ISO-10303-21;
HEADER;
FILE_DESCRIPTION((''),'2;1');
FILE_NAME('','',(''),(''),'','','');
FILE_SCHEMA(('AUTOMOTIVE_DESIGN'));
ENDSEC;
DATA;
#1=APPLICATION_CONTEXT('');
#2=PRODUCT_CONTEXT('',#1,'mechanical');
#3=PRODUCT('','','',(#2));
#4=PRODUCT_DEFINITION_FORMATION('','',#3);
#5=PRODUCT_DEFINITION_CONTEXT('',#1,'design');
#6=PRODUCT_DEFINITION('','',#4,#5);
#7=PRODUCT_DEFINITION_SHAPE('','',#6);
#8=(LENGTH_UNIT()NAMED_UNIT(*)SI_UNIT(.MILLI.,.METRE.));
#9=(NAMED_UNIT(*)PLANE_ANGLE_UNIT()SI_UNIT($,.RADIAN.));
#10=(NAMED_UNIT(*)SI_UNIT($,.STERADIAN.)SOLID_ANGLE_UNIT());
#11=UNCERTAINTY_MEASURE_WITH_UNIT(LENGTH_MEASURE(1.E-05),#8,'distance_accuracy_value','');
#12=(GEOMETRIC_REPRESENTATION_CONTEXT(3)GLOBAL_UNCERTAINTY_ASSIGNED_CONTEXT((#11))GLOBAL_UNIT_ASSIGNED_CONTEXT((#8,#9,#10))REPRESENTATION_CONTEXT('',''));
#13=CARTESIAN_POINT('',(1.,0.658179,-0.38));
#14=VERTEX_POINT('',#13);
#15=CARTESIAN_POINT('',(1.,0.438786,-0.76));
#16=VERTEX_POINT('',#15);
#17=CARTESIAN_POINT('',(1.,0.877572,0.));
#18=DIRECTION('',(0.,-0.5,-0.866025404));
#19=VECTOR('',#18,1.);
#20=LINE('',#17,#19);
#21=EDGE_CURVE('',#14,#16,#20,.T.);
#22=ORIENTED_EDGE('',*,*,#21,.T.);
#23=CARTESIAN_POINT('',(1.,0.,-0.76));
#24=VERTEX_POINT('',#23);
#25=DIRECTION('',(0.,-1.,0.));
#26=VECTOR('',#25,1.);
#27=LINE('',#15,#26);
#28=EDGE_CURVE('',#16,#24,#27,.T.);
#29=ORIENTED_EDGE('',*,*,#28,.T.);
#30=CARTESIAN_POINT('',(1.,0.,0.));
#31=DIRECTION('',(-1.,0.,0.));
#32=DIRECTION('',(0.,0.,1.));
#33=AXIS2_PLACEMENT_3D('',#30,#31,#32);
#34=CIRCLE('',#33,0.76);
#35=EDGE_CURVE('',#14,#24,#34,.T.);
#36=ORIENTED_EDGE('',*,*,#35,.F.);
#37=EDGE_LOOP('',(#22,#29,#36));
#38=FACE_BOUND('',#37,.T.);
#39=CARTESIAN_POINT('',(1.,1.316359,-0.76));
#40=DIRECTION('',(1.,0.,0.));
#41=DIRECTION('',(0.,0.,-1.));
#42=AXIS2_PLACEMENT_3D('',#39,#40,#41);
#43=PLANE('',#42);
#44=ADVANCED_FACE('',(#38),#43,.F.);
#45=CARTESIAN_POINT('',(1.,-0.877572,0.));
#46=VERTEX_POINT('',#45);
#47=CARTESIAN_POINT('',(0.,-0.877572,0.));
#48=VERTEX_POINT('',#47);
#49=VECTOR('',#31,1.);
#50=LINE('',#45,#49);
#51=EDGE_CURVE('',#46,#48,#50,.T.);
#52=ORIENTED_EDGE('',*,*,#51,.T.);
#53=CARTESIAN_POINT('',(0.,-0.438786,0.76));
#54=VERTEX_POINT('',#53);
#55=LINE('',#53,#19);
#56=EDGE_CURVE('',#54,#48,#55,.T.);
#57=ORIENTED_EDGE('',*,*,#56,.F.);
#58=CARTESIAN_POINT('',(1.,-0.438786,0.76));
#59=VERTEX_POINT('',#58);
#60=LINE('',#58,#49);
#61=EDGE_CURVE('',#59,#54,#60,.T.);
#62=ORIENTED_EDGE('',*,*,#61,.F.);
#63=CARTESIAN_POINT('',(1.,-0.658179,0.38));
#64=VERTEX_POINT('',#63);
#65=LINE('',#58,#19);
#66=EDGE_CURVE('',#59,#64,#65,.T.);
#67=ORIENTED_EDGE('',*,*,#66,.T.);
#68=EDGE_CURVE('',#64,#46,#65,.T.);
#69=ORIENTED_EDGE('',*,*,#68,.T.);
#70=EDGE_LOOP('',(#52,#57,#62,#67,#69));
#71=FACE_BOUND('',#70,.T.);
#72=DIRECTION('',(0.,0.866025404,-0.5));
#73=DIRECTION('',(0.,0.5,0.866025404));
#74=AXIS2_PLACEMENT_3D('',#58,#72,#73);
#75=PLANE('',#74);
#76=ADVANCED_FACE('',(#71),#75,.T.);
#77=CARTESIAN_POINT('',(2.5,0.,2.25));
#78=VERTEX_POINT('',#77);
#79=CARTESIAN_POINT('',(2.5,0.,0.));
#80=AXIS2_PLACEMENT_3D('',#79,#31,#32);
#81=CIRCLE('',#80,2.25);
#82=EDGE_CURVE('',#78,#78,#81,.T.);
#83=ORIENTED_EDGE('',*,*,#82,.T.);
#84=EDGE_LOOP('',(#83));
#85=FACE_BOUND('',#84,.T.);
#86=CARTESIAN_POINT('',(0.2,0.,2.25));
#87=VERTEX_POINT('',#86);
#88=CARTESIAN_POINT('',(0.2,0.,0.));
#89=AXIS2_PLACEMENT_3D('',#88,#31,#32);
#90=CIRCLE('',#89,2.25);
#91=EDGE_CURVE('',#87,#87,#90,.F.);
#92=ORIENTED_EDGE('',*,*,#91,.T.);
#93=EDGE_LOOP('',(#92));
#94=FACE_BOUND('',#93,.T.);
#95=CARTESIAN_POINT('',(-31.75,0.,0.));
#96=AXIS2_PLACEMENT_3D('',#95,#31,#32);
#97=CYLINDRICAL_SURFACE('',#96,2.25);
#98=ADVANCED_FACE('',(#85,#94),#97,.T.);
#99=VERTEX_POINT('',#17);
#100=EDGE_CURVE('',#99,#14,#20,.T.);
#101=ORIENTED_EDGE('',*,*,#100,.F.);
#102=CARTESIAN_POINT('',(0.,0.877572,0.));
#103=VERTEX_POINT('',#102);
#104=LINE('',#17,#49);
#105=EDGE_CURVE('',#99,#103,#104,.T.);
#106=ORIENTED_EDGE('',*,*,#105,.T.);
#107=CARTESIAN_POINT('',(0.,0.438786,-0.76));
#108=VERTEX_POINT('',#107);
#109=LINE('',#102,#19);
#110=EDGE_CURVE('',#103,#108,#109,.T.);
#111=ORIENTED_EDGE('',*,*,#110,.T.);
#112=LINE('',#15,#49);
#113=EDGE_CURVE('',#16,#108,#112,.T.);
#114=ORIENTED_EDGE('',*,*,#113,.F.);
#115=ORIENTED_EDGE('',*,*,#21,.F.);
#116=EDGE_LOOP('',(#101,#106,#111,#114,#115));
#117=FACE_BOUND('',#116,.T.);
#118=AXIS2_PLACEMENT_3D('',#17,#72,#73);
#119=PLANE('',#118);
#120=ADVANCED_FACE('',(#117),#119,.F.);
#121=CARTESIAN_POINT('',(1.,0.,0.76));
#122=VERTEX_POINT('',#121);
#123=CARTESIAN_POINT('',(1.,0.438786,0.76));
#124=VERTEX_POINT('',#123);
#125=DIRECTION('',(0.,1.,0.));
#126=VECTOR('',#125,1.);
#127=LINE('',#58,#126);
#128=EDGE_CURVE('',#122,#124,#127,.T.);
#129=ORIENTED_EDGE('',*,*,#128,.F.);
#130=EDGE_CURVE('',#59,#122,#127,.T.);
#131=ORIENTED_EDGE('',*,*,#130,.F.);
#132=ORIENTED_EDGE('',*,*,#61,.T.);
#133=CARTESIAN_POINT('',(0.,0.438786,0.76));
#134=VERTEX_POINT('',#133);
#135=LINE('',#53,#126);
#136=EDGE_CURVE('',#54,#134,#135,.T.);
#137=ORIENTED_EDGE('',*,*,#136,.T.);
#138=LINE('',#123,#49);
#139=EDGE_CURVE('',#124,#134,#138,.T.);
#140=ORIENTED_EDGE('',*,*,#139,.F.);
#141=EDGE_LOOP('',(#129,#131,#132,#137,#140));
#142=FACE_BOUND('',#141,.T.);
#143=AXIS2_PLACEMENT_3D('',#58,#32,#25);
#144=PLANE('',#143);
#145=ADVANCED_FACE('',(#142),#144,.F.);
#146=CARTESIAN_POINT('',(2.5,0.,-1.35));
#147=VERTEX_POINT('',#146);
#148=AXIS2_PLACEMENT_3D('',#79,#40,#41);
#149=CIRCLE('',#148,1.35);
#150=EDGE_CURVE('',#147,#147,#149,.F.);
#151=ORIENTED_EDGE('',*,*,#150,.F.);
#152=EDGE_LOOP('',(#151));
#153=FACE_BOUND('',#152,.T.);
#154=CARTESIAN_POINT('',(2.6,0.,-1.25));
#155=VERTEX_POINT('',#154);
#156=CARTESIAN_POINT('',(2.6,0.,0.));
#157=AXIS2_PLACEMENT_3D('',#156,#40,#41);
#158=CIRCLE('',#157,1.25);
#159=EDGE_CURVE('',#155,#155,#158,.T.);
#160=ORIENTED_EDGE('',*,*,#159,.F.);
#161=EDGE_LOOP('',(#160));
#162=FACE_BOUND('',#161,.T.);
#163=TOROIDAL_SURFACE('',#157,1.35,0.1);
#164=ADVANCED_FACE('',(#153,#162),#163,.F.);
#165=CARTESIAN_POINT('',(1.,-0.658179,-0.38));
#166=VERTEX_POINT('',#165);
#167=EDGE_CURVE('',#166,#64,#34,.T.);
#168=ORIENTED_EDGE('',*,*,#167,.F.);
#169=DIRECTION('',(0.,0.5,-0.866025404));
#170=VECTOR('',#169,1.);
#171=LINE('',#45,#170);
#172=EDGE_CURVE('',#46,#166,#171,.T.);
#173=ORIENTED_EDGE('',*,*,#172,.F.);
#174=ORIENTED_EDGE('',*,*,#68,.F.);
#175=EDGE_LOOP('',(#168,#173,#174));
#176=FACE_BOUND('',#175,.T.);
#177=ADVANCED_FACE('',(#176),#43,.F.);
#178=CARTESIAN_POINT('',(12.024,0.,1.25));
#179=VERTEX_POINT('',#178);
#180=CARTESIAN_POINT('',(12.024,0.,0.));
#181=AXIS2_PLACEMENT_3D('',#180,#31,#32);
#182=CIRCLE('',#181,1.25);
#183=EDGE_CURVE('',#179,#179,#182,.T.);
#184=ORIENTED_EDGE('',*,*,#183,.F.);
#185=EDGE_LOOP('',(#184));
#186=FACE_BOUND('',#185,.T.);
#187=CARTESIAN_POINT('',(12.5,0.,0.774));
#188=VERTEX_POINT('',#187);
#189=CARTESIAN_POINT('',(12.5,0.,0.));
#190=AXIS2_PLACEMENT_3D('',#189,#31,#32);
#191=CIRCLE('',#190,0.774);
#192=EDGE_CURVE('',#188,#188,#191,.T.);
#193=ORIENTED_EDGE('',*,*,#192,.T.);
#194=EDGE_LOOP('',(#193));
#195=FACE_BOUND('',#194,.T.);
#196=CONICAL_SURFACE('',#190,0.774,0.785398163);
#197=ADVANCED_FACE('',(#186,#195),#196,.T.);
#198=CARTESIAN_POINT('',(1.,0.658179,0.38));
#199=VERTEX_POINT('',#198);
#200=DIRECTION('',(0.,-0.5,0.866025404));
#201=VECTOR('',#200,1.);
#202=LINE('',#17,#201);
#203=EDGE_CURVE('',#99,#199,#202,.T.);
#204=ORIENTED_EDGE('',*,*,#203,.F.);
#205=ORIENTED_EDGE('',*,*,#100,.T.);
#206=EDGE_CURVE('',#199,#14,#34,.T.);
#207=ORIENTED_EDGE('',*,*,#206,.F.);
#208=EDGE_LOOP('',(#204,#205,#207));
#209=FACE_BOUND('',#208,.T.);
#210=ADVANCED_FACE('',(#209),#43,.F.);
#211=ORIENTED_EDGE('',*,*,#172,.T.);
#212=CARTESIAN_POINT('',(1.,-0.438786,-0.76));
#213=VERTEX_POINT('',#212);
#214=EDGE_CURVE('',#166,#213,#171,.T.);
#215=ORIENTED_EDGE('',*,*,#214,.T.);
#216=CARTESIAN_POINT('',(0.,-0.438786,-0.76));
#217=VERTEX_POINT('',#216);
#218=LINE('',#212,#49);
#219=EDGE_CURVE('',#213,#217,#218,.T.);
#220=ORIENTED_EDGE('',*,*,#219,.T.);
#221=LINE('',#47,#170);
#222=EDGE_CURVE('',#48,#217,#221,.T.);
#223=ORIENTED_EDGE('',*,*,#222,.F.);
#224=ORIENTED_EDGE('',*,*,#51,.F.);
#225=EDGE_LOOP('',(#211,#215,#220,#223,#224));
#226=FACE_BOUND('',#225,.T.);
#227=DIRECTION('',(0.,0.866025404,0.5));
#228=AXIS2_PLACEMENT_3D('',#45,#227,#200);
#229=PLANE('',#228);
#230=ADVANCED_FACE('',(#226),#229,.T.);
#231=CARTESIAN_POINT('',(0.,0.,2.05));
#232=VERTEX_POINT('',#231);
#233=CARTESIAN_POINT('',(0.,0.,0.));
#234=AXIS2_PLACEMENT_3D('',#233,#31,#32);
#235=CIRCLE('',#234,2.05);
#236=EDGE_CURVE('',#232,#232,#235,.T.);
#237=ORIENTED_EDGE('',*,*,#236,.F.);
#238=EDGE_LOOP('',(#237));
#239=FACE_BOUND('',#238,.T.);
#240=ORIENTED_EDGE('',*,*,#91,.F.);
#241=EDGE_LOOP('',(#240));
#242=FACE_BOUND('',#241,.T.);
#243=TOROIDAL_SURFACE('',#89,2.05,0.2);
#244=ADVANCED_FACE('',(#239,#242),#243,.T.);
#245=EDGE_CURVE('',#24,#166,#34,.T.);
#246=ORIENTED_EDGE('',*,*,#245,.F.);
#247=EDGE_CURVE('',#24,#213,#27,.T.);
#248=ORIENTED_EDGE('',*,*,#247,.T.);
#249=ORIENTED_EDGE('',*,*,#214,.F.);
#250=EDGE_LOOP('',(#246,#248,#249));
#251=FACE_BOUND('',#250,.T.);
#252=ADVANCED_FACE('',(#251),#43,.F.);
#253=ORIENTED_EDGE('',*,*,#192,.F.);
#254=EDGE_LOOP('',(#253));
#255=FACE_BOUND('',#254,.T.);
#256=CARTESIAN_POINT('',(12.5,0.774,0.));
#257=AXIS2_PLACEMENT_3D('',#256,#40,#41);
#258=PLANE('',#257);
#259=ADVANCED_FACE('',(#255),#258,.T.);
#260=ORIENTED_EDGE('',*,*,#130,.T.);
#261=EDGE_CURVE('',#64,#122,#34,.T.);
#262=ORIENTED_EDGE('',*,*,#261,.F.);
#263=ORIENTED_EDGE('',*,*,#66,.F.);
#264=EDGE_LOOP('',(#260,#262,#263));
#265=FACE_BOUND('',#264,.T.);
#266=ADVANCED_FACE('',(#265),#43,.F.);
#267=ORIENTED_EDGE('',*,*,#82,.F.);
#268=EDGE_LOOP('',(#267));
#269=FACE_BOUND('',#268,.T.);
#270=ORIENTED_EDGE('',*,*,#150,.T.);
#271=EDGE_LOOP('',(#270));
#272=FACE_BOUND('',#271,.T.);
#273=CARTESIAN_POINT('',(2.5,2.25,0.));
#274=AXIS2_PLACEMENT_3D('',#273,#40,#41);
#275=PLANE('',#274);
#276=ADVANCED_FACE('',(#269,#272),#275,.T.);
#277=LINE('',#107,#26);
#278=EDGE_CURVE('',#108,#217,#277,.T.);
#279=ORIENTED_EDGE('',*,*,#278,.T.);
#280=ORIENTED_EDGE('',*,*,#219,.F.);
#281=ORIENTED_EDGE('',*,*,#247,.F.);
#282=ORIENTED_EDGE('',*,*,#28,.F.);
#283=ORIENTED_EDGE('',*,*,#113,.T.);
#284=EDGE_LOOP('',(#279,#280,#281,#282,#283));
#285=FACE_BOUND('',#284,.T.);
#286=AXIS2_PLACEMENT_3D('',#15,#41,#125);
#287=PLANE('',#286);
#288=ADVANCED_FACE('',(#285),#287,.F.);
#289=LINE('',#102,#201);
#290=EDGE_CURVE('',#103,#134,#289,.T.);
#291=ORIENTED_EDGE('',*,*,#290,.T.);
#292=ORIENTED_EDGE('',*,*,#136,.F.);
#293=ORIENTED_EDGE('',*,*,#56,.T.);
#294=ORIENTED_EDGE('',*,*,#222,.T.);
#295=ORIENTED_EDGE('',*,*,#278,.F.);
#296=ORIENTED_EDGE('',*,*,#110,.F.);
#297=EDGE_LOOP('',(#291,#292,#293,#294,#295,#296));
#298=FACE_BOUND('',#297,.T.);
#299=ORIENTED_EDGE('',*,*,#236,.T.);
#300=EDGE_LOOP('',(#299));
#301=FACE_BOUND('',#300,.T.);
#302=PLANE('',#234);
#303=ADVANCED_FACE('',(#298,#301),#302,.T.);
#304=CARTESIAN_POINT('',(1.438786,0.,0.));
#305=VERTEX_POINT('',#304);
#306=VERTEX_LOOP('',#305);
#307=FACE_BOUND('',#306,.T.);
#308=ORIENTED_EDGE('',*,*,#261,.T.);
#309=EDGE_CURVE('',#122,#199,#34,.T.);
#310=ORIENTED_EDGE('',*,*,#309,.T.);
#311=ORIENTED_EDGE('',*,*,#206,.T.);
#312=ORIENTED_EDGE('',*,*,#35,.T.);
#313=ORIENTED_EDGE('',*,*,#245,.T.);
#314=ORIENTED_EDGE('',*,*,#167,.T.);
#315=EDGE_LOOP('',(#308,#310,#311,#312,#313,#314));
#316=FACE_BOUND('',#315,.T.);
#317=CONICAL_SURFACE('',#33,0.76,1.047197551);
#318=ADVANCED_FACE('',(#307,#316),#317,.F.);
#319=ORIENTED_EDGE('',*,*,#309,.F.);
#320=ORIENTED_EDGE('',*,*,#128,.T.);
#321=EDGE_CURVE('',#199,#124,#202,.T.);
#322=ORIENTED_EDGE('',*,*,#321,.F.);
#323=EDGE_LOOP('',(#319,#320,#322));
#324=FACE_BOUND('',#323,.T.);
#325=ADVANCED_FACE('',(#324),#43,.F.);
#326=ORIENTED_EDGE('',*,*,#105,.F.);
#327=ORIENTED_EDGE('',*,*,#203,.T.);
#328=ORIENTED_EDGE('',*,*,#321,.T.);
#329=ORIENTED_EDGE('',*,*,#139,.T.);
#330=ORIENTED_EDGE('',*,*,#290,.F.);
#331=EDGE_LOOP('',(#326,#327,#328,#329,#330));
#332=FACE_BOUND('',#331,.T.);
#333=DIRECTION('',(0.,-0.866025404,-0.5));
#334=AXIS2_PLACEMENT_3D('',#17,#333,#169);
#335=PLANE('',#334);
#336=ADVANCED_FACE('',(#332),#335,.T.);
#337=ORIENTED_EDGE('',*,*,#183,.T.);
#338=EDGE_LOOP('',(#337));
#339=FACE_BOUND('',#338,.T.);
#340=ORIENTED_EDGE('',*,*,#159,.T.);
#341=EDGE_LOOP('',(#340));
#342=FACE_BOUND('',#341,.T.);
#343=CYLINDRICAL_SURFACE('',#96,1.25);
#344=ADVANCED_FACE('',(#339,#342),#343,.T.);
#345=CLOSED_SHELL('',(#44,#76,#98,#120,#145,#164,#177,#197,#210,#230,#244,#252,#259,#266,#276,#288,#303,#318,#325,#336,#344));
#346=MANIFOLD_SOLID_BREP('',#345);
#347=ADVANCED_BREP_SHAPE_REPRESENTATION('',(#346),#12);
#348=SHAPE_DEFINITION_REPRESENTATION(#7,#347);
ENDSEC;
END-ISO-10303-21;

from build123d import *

# Parameters (mm, degrees)
FILLET1_R   = 0.1
FILLET2_R   = 0.2
HEX_2_DEPTH = 1


with BuildPart() as part:
    # BodySke → Base-Revolve (revolve)
    with BuildSketch(Plane.XY):
        Polygon((0, 0), (0, 2.25), (2.5, 2.25), (2.5, 1.25), (12.024, 1.25), (12.5, 0.774), (12.5, 0), align=None)
    revolve(axis=Axis((-31.75, 0, 0), (1, 0, 0)))

    # Fillet1
    fillet1_edges = [part.edges().sort_by_distance(p)[0] for p in [
        (2.5, -1.25, 0),
    ]]
    fillet(fillet1_edges, radius=FILLET1_R)

    # Fillet2
    fillet2_edges = [part.edges().sort_by_distance(p)[0] for p in [
        (0, -2.25, 0),
    ]]
    fillet(fillet2_edges, radius=FILLET2_R)

    # Sketch2 → Hex-PreBroach (revolve, cut)
    with BuildSketch(Plane.XY):
        Polygon((0, 0.76), (1, 0.76), (1.438786205, 0), (0, 0), align=None)
    revolve(axis=Axis((0, 0, 0), (1, 0, 0)), mode=Mode.SUBTRACT)

    # Sketch3 → Hex 2 (cut)
    with BuildSketch(Plane(origin=(0, 0, 0), x_dir=(0, 0.5, 0.866025404), z_dir=(-1, 0, 0))):
        Polygon((0.438786205, 0.76), (-0.438786205, 0.76), (-0.877572409, 0), (-0.438786205, -0.76), (0.438786205, -0.76), (0.877572409, 0), align=None)
    extrude(amount=-HEX_2_DEPTH, mode=Mode.SUBTRACT)


solid = part.part
